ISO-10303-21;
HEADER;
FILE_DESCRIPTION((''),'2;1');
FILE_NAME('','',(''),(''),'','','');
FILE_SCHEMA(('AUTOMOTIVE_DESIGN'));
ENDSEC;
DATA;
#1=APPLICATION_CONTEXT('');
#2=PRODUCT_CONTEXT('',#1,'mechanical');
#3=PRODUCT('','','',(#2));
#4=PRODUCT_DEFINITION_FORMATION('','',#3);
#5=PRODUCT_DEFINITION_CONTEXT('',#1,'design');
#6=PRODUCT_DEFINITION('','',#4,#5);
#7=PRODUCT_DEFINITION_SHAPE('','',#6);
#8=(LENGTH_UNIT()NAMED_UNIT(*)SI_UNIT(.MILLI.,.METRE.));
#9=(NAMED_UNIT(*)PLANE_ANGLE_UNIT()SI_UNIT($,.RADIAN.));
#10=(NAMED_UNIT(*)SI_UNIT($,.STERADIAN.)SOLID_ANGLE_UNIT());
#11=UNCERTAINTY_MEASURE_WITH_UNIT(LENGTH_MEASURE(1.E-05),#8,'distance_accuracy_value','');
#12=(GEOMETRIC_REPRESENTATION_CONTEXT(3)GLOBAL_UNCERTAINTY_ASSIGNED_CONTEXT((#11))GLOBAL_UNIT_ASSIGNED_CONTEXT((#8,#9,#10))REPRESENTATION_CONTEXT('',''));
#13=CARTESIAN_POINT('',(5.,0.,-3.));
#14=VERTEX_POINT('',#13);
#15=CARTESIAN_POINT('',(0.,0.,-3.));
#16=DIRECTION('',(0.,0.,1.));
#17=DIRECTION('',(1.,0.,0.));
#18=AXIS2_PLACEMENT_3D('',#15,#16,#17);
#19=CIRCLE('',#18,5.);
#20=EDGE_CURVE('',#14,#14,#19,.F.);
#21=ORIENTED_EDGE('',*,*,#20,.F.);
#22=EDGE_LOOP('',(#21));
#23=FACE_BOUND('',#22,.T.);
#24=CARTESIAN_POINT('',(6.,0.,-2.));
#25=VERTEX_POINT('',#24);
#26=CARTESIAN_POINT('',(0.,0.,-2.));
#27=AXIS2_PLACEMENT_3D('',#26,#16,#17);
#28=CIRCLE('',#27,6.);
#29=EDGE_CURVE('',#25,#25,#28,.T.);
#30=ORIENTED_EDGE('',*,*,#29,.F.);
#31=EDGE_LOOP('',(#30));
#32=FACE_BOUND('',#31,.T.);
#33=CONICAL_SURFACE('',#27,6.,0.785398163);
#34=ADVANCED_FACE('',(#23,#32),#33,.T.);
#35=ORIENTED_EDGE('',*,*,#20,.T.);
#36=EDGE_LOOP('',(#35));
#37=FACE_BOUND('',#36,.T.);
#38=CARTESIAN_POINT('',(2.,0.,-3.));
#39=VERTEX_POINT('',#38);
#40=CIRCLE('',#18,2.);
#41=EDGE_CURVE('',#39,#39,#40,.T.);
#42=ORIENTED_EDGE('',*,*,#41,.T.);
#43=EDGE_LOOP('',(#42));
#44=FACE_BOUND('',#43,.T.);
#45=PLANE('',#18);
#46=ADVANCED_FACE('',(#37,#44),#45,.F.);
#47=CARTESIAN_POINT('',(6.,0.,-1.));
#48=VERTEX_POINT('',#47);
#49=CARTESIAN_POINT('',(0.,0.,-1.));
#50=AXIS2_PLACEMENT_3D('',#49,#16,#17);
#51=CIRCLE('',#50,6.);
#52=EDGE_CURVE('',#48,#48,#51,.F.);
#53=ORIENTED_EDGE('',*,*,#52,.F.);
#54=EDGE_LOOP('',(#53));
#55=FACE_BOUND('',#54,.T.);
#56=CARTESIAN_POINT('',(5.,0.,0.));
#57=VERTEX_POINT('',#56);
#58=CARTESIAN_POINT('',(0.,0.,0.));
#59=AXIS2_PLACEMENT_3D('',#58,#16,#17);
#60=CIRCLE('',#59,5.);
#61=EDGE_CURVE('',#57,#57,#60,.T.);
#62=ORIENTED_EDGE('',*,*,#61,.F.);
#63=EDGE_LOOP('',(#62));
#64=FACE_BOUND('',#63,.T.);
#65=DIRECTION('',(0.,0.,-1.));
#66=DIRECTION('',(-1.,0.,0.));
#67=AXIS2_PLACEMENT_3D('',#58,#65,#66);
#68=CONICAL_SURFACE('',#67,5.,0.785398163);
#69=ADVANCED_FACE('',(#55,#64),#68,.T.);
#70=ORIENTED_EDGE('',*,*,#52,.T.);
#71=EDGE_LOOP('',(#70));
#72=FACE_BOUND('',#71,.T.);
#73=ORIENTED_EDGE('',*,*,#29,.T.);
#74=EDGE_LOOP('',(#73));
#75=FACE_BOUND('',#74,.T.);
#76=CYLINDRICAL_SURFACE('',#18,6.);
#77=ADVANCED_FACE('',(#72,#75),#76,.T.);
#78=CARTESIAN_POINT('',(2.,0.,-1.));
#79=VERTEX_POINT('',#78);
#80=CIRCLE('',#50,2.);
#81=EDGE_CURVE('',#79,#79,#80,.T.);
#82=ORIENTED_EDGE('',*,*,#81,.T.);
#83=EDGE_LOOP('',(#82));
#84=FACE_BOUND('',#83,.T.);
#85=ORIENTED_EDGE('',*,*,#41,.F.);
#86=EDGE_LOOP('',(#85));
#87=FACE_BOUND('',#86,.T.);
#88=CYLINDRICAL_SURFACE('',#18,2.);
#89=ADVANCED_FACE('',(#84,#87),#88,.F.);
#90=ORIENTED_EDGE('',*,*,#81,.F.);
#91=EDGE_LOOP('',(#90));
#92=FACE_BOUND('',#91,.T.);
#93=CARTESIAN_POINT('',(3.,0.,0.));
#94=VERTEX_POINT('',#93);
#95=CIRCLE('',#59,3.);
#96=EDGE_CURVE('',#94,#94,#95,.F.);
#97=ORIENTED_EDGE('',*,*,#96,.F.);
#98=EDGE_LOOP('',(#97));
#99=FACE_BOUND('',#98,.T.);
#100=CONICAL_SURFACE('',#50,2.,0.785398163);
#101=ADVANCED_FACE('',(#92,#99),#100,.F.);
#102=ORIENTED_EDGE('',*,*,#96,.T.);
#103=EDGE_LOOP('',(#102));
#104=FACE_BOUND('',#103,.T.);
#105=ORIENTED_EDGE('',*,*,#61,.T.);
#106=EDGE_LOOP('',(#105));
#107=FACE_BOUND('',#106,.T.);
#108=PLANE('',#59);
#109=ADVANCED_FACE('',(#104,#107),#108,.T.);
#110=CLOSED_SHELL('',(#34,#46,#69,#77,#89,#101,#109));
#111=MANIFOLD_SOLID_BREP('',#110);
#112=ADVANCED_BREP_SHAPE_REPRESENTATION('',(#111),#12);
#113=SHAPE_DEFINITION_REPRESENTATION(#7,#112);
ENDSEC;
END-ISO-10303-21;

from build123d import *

# Parameters (mm, degrees)
ESQUISSE1_R             = 6
BASE_EXTRUSION_DEPTH    = 3
CHANFREIN1_SIZE         = 1
ESQUISSE2_R             = 2
ENL_V_MAT_EXTRU_1_DEPTH = 10
CHANFREIN3_SIZE         = 1


with BuildPart() as part:
    # Esquisse1 → Base-Extrusion (new body)
    with BuildSketch(Plane.XY):
        Circle(ESQUISSE1_R)
    extrude(amount=-BASE_EXTRUSION_DEPTH)

    # Chanfrein1
    chanfrein1_edges = [part.edges().sort_by_distance(p)[0] for p in [
        (-6, 0, 0),
        (-6, 0, -3),
    ]]
    chamfer(chanfrein1_edges, length=CHANFREIN1_SIZE)

    # Esquisse2 → Enlèv. mat.-Extru.1 (cut, through all)
    with BuildSketch(Plane.XY):
        Circle(ESQUISSE2_R)
    extrude(amount=-ENL_V_MAT_EXTRU_1_DEPTH, mode=Mode.SUBTRACT)

    # Chanfrein3
    chanfrein3_edges = [part.edges().sort_by_distance(p)[0] for p in [
        (-2, 0, 0),
    ]]
    chamfer(chanfrein3_edges, length=CHANFREIN3_SIZE)


solid = part.part
